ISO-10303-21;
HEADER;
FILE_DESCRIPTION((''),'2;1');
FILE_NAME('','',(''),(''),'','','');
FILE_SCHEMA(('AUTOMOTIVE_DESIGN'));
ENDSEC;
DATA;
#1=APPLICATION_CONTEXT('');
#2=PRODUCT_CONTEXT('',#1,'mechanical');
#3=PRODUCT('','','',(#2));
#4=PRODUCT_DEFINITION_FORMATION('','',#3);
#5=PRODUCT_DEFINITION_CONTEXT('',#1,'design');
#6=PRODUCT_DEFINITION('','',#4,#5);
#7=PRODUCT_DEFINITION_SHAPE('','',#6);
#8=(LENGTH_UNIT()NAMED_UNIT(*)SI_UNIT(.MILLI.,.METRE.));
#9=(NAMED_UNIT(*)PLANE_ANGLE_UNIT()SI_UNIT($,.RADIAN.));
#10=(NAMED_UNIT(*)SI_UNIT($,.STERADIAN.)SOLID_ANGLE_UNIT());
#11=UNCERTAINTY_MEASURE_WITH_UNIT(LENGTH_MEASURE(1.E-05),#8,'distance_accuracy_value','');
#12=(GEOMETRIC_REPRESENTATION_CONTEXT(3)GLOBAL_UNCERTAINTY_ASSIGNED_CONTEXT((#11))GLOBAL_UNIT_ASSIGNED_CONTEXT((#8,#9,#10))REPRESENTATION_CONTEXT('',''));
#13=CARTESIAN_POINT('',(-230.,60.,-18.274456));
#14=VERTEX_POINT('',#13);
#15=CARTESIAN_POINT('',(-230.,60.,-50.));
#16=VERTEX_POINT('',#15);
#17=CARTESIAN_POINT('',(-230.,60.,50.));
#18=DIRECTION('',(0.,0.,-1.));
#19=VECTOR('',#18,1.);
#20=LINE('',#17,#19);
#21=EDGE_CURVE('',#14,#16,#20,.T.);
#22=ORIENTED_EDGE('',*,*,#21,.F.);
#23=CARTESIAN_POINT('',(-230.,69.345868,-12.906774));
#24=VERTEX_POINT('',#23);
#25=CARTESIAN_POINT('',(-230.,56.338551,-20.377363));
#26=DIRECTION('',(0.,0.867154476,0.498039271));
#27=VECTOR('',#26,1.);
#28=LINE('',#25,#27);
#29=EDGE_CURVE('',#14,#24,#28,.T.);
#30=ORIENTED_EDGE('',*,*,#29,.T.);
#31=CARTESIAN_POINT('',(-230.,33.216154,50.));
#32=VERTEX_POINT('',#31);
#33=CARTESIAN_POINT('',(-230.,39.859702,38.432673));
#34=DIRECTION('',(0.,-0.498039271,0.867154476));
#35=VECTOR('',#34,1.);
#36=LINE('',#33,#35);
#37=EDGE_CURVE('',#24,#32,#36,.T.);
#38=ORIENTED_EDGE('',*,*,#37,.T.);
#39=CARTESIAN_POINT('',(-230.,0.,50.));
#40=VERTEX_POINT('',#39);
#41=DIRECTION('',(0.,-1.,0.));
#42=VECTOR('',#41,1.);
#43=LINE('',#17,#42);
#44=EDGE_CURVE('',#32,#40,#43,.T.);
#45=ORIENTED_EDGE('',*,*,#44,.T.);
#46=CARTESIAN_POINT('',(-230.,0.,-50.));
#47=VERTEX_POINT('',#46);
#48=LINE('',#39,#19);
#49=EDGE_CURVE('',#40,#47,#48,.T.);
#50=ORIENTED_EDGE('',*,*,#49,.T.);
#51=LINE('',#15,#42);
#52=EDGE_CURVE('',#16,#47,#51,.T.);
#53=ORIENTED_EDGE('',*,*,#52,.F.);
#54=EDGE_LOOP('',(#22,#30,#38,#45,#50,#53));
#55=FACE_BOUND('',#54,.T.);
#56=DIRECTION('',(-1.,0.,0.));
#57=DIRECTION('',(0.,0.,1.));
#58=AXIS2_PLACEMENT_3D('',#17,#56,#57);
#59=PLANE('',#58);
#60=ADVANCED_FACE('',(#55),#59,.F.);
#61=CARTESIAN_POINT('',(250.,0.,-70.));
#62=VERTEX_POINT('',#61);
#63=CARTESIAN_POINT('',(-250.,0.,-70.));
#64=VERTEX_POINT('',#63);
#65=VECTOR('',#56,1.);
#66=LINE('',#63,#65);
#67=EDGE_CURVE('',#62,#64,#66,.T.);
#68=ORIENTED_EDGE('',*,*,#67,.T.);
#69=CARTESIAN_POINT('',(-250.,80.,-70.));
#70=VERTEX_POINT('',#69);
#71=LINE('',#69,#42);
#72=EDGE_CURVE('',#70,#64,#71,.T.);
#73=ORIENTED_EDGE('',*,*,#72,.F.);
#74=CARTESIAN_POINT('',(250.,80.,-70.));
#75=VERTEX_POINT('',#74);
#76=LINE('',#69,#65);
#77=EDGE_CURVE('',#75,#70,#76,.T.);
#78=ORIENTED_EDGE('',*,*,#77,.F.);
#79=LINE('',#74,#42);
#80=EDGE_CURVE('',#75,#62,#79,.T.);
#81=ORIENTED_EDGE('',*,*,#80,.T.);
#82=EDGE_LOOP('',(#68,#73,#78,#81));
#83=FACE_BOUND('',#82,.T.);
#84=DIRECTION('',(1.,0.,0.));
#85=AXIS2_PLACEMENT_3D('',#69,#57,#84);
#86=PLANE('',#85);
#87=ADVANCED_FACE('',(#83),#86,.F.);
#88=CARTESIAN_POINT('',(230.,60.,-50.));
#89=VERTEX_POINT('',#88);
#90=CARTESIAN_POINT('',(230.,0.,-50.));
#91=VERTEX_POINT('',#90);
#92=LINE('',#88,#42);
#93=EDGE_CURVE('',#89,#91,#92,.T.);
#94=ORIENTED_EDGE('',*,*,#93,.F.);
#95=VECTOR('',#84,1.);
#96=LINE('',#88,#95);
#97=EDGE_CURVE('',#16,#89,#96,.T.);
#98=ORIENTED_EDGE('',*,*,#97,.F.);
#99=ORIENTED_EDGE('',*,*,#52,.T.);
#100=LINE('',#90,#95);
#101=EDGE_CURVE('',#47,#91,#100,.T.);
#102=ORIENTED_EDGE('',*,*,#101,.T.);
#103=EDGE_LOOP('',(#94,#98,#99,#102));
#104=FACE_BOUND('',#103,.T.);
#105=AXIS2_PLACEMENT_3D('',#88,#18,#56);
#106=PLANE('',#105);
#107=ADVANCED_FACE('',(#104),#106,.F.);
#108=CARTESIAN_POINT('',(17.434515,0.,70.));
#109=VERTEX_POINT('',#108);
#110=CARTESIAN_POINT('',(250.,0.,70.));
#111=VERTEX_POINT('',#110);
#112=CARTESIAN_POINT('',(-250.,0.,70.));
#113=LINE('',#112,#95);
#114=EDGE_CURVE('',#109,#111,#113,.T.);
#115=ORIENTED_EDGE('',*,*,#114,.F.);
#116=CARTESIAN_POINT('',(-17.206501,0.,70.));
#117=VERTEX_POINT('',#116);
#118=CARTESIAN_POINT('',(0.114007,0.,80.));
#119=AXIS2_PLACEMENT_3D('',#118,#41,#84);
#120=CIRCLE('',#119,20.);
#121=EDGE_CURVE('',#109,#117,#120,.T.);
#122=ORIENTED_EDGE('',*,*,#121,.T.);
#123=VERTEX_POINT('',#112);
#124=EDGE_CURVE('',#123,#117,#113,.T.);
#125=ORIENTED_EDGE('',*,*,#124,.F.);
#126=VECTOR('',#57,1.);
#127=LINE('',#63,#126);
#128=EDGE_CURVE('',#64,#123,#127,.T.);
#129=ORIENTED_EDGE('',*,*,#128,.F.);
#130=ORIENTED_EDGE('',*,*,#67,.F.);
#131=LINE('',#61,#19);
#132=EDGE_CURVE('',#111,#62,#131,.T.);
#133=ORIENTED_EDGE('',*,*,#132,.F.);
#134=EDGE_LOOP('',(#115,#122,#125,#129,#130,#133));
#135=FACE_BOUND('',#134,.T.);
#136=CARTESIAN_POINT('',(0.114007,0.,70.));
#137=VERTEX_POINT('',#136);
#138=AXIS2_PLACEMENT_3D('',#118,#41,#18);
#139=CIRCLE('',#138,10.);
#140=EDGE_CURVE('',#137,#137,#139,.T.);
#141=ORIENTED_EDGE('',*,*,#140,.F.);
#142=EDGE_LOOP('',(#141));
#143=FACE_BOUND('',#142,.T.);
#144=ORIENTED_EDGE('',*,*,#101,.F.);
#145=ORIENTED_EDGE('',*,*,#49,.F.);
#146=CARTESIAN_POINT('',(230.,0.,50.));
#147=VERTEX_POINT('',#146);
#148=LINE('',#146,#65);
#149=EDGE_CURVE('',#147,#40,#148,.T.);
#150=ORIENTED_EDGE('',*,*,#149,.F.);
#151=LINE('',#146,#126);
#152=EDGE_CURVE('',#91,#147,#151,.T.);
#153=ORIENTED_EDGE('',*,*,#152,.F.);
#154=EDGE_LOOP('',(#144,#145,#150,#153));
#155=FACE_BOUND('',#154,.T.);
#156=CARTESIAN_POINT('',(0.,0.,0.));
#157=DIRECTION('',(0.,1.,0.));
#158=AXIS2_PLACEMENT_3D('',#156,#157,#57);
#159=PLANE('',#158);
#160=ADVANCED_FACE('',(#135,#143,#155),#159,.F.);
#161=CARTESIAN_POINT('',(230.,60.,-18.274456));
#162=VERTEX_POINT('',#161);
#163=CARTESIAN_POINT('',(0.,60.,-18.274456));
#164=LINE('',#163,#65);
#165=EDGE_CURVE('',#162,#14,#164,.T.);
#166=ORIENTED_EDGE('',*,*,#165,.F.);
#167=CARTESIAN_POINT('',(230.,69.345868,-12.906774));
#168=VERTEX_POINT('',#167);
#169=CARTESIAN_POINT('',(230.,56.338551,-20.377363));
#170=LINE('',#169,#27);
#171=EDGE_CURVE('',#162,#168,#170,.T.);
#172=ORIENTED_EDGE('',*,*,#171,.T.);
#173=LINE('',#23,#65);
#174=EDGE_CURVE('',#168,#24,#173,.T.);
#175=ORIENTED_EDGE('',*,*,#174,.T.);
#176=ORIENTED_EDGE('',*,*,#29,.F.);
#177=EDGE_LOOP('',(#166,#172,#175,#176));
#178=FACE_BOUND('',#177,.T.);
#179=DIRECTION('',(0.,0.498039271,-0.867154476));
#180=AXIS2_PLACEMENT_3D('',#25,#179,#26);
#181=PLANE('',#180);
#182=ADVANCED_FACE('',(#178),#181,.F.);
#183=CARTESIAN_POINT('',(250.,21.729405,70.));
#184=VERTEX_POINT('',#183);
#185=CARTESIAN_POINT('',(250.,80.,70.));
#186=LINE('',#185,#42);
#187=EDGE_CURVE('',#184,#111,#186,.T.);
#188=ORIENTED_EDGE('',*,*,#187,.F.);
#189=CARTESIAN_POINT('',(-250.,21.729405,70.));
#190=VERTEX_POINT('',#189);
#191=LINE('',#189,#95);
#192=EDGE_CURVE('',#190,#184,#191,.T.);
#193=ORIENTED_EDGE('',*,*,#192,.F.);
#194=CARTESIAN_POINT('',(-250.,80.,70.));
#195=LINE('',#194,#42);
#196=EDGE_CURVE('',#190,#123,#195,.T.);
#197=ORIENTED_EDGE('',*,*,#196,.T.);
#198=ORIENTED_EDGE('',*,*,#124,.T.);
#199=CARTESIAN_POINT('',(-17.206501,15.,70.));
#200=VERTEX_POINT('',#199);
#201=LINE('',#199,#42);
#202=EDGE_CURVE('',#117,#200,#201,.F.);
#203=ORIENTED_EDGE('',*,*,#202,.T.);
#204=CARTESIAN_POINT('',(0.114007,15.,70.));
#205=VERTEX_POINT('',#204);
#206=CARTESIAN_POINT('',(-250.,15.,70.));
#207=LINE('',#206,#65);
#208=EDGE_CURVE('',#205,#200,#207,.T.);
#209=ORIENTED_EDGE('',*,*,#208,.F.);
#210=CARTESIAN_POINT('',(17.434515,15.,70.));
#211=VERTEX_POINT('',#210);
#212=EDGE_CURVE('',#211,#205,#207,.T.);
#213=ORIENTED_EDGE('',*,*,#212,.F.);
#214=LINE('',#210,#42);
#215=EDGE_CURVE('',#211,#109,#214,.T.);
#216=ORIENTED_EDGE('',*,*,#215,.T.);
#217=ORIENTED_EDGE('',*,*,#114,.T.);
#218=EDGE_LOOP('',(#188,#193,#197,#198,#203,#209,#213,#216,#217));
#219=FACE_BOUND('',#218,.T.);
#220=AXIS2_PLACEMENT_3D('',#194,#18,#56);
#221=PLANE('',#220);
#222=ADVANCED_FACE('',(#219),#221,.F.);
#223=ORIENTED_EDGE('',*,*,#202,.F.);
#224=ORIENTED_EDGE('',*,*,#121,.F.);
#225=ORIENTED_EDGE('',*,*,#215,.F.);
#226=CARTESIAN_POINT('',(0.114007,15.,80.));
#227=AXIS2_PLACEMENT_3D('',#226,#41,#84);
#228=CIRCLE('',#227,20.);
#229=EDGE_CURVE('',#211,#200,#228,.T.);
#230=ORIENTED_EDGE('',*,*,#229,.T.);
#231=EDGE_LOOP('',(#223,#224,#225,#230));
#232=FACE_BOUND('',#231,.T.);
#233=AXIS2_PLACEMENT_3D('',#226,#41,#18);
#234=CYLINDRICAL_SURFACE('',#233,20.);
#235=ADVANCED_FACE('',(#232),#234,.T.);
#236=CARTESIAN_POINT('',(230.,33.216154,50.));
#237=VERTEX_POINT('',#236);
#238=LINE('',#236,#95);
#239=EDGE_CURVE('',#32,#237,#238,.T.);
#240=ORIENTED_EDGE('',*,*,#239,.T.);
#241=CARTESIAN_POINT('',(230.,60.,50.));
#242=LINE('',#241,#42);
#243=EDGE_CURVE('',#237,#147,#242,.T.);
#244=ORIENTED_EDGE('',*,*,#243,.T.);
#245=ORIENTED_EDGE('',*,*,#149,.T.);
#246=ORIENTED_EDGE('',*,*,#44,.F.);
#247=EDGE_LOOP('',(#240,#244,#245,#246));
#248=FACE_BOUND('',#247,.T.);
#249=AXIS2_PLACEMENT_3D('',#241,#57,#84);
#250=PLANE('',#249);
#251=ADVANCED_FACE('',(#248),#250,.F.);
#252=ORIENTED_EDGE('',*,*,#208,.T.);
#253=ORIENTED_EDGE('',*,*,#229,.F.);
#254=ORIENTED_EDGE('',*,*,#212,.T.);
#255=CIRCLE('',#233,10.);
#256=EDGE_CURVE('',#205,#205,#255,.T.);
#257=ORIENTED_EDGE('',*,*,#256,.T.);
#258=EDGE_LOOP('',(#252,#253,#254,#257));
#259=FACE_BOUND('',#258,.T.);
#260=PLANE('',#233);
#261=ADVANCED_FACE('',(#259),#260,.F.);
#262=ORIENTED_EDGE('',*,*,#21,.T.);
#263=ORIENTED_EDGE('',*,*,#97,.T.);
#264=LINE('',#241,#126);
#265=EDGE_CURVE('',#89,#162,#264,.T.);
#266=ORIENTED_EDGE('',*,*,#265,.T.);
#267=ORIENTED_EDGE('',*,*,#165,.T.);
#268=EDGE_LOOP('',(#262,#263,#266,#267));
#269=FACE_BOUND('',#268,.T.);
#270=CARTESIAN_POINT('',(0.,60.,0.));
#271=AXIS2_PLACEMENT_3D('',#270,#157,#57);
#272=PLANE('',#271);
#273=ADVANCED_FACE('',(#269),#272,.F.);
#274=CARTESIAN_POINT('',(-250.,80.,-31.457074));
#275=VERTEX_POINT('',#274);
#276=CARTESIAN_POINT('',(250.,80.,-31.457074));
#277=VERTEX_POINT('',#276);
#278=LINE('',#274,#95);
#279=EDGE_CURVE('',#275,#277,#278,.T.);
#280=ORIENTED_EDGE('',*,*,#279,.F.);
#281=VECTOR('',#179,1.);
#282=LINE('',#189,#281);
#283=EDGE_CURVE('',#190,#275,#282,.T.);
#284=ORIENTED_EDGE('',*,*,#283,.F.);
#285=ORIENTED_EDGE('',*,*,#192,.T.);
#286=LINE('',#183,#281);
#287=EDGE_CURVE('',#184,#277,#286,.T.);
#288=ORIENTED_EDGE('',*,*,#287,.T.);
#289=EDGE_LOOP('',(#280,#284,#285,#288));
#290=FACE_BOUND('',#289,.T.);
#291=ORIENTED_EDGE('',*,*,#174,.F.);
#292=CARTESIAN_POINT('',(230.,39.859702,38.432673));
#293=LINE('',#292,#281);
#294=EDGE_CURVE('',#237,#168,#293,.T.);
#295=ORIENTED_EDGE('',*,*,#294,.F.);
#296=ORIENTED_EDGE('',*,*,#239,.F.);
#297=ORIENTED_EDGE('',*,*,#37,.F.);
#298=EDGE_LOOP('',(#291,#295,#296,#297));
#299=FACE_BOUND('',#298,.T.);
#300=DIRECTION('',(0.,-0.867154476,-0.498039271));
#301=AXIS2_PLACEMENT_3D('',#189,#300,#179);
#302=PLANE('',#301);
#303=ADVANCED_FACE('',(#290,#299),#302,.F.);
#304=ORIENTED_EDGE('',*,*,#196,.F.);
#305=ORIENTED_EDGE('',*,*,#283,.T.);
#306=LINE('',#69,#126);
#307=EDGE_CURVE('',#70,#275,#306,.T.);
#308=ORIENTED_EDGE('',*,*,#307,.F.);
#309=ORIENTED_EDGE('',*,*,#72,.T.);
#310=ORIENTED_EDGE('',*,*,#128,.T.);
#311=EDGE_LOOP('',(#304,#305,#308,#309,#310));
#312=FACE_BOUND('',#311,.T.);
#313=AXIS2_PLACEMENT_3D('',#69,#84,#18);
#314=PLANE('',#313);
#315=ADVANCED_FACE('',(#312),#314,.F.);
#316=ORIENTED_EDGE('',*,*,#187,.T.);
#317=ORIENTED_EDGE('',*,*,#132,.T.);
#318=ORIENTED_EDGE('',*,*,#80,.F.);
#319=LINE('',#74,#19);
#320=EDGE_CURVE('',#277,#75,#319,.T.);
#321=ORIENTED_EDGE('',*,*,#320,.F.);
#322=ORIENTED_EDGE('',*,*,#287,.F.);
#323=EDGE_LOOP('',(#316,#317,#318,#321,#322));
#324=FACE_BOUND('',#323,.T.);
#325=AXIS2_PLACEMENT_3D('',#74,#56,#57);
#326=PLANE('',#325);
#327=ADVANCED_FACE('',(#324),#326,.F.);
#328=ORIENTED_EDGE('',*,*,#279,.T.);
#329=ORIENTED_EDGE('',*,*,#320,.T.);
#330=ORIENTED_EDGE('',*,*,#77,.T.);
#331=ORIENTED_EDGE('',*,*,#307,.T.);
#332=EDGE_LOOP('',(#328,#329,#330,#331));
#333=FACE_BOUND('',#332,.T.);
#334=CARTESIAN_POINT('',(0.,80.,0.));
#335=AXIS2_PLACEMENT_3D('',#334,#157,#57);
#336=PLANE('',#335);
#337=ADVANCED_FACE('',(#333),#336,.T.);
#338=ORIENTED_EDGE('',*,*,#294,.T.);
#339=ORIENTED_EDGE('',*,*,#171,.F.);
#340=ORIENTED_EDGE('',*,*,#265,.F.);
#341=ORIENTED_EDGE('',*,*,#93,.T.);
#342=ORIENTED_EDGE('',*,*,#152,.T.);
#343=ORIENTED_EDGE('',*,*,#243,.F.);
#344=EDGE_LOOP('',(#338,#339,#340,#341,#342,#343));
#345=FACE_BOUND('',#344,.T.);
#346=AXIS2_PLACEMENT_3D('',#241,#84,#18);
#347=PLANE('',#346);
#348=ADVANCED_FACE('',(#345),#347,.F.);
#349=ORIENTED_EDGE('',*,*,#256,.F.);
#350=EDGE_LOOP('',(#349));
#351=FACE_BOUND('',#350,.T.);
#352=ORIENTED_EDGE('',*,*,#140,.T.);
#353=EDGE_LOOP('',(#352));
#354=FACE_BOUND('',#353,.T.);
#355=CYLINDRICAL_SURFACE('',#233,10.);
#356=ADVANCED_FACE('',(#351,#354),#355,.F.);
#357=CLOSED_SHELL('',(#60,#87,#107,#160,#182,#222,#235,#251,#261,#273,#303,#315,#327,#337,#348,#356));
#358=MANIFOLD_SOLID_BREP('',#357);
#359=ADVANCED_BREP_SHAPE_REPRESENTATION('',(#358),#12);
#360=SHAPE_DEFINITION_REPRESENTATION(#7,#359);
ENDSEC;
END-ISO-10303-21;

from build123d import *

# Parameters (mm, degrees)
SKETCH_1_W          = 500
SKETCH_1_H          = 140
EXTRUDE_1_DEPTH     = 80
SKETCH_2_W          = 460
SKETCH_2_H          = 100
CUT_EXTRUDE_1_DEPTH = 60
SKETCH_6_R          = 20
SKETCH_6_R_2        = 10
EXTRUDE_4_DEPTH     = 15
CUT_EXTRUDE_2_DEPTH = 517.139516023
SKETCH_8_W          = 460
SKETCH_8_H          = 18.765324385
CUT_EXTRUDE_3_DEPTH = 15


with BuildPart() as part:
    # 草圖1 → 填料-伸長1 (new body)
    with BuildSketch(Plane(origin=(0, 0, 0), x_dir=(1, 0, 0), z_dir=(0, 1, 0))):
        Rectangle(SKETCH_1_W, SKETCH_1_H)
    extrude(amount=EXTRUDE_1_DEPTH)

    # 草圖2 → 除料-伸長1 (cut)
    with BuildSketch(Plane.XZ):
        Rectangle(SKETCH_2_W, SKETCH_2_H)
    extrude(amount=-CUT_EXTRUDE_1_DEPTH, mode=Mode.SUBTRACT)

    # 草圖6 → 伸長-薄件4 (add)
    with BuildSketch(Plane.XZ):
        with Locations((0.114006629, 80)):
            Circle(SKETCH_6_R)
        with Locations((0.114006629, 80)):
            Circle(SKETCH_6_R_2, mode=Mode.SUBTRACT)
    extrude(amount=-EXTRUDE_4_DEPTH)

    # 草圖7 → 除料-伸長2 (cut, through all)
    with BuildSketch(Plane(origin=(250, 0, 0), x_dir=(0, 0, -1), z_dir=(1, 0, 0))):
        Polygon((-70, 21.729405289), (31.457073642, 80), (-70, 80), align=None)
    extrude(amount=-CUT_EXTRUDE_2_DEPTH, mode=Mode.SUBTRACT)

    # 草圖8 → 除料-伸長3 (cut)
    with BuildSketch(Plane(origin=(0, 46.570964705, 26.747448081), x_dir=(1, 0, 0), z_dir=(0, 0.8671544755717103, 0.4980392710378893))):
        with Locations((0, 36.346470221)):
            Rectangle(SKETCH_8_W, SKETCH_8_H)
    extrude(amount=-CUT_EXTRUDE_3_DEPTH, mode=Mode.SUBTRACT)


solid = part.part
